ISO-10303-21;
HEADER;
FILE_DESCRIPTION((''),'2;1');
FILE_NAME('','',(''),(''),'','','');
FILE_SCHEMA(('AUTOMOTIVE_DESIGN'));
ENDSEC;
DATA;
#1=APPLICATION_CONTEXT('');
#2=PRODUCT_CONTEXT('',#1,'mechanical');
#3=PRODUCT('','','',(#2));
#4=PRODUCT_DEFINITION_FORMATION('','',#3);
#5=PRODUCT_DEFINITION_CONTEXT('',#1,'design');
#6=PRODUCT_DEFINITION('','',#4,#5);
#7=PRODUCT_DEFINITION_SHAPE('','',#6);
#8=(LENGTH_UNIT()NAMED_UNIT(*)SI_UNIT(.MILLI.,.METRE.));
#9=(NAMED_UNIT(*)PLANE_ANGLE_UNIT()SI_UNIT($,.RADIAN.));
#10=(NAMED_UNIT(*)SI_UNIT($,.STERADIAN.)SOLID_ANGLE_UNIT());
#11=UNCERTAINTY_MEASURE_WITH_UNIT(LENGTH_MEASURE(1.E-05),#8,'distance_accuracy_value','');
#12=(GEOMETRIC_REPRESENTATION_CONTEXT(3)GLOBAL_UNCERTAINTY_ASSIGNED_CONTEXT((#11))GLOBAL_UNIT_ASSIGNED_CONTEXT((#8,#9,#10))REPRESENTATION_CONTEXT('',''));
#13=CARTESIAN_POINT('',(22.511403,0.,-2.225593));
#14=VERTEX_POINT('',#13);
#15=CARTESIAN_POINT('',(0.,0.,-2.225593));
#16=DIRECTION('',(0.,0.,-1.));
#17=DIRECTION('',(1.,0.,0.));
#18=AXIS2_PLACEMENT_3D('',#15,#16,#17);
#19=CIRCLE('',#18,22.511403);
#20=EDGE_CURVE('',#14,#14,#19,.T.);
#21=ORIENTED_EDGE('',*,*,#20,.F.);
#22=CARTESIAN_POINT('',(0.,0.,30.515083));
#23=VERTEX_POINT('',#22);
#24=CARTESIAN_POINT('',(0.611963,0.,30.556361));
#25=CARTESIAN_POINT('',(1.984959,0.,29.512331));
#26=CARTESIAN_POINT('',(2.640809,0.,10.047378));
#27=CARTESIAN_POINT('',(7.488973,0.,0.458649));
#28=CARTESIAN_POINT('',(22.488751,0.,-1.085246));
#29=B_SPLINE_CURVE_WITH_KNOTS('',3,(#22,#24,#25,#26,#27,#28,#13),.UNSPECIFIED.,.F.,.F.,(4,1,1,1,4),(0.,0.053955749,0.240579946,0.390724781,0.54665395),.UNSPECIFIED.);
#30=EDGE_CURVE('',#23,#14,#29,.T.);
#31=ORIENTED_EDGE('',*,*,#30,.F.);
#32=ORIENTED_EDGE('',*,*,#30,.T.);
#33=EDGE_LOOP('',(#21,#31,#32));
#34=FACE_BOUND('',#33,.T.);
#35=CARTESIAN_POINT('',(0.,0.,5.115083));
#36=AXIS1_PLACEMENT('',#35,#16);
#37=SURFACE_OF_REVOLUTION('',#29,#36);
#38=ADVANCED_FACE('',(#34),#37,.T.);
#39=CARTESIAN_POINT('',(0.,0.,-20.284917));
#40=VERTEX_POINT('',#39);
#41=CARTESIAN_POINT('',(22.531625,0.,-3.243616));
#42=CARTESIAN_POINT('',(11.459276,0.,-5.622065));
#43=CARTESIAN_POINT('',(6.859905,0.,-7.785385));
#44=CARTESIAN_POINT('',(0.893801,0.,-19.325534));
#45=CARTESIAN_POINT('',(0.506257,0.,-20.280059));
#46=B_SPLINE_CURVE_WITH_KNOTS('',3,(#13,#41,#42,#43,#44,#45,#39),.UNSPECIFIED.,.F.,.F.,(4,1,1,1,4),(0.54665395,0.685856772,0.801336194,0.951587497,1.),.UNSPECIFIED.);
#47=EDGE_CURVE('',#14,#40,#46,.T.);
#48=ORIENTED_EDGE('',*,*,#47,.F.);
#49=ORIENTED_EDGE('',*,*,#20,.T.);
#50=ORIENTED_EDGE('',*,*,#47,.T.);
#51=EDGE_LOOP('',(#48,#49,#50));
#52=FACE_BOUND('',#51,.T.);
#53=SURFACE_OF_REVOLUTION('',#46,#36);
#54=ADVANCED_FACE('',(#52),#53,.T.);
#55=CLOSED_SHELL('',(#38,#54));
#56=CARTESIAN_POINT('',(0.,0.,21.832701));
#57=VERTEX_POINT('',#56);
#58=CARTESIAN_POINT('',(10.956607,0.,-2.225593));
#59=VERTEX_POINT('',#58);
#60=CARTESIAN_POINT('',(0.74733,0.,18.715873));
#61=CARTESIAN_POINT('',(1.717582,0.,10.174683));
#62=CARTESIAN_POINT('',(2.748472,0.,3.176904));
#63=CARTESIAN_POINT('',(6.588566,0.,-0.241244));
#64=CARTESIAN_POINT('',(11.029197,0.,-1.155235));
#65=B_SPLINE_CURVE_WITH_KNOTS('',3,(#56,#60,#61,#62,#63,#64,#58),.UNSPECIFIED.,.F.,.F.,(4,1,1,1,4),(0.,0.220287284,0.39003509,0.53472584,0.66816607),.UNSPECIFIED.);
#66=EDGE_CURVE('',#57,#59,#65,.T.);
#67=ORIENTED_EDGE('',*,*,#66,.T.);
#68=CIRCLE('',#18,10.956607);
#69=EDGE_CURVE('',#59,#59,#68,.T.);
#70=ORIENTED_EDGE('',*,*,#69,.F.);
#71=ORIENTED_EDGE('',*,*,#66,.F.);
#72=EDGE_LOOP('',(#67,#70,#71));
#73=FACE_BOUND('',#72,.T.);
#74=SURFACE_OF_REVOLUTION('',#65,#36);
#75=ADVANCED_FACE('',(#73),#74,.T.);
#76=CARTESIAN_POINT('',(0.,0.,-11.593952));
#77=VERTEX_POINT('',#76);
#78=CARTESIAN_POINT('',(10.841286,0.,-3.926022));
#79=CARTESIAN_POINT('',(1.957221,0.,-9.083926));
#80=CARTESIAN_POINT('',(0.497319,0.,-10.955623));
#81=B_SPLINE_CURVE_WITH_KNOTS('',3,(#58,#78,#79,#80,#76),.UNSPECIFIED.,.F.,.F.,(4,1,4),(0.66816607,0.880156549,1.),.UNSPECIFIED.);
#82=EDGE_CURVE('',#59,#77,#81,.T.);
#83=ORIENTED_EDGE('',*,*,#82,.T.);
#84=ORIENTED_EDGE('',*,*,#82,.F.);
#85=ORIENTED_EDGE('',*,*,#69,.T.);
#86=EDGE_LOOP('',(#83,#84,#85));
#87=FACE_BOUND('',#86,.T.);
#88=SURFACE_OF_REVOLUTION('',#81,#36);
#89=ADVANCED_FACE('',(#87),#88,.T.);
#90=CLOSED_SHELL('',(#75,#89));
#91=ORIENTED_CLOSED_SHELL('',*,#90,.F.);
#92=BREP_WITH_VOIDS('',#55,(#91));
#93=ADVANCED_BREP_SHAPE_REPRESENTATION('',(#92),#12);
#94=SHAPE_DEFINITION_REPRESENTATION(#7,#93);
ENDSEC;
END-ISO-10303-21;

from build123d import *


with BuildPart() as f1:
    # F0 (on Front) → F1 (revolve)
    with BuildSketch(Plane.XZ):
        with BuildLine():
            add(Edge.make_bspline(
                [(0, 30.5150827944), (0.6119627796, 30.5563605036), (1.9849590591, 29.5123314753), (2.6408090025, 10.0473779209), (7.4889728126, 0.4586489383), (22.4887511962, -1.0852459575), (22.5114027659, -2.2255928876)],
                knots=[0, 0, 0, 0, 0.0539557495, 0.2405799459, 0.3907247811, 0.5466539499, 0.5466539499, 0.5466539499, 0.5466539499], degree=3))
            Line((0, 30.5150827944), (0, 21.8327008188))
            add(Edge.make_bspline(
                [(0, 21.8327008188), (0.7473302542, 18.7158730778), (1.7175817511, 10.1746828665), (2.7484715486, 3.1769040488), (6.5885658066, -0.2412438302), (11.0291970509, -1.1552352194), (10.9566068277, -2.2255928876)],
                knots=[0, 0, 0, 0, 0.2202872843, 0.3900350897, 0.5347258398, 0.6681660705, 0.6681660705, 0.6681660705, 0.6681660705], degree=3))
            Line((10.9566068277, -2.2255928876), (22.5114027659, -2.2255928876))
        make_face()
        with BuildLine():
            add(Edge.make_bspline(
                [(22.5114027659, -2.2255928876), (22.5316245272, -3.2436160845), (11.4592761502, -5.6220647788), (6.8599053498, -7.785384752), (0.8938010225, -19.325534194), (0.5062573062, -20.2800593064), (0, -20.2849172056)],
                knots=[0.5466539499, 0.5466539499, 0.5466539499, 0.5466539499, 0.685856772, 0.8013361937, 0.9515874973, 1, 1, 1, 1], degree=3))
            Line((22.5114027659, -2.2255928876), (10.9566068277, -2.2255928876))
            add(Edge.make_bspline(
                [(10.9566068277, -2.2255928876), (10.8412860124, -3.9260218641), (1.9572214563, -9.0839256189), (0.4973191648, -10.9556234901), (0, -11.5939518437)],
                knots=[0.6681660705, 0.6681660705, 0.6681660705, 0.6681660705, 0.8801565494, 1, 1, 1, 1], degree=3))
            Line((0, -11.5939518437), (0, -20.2849172056))
        make_face()
    revolve(axis=Axis((0, 0, 5.1150827944), (0, 0, -1)))


solid = f1.part
